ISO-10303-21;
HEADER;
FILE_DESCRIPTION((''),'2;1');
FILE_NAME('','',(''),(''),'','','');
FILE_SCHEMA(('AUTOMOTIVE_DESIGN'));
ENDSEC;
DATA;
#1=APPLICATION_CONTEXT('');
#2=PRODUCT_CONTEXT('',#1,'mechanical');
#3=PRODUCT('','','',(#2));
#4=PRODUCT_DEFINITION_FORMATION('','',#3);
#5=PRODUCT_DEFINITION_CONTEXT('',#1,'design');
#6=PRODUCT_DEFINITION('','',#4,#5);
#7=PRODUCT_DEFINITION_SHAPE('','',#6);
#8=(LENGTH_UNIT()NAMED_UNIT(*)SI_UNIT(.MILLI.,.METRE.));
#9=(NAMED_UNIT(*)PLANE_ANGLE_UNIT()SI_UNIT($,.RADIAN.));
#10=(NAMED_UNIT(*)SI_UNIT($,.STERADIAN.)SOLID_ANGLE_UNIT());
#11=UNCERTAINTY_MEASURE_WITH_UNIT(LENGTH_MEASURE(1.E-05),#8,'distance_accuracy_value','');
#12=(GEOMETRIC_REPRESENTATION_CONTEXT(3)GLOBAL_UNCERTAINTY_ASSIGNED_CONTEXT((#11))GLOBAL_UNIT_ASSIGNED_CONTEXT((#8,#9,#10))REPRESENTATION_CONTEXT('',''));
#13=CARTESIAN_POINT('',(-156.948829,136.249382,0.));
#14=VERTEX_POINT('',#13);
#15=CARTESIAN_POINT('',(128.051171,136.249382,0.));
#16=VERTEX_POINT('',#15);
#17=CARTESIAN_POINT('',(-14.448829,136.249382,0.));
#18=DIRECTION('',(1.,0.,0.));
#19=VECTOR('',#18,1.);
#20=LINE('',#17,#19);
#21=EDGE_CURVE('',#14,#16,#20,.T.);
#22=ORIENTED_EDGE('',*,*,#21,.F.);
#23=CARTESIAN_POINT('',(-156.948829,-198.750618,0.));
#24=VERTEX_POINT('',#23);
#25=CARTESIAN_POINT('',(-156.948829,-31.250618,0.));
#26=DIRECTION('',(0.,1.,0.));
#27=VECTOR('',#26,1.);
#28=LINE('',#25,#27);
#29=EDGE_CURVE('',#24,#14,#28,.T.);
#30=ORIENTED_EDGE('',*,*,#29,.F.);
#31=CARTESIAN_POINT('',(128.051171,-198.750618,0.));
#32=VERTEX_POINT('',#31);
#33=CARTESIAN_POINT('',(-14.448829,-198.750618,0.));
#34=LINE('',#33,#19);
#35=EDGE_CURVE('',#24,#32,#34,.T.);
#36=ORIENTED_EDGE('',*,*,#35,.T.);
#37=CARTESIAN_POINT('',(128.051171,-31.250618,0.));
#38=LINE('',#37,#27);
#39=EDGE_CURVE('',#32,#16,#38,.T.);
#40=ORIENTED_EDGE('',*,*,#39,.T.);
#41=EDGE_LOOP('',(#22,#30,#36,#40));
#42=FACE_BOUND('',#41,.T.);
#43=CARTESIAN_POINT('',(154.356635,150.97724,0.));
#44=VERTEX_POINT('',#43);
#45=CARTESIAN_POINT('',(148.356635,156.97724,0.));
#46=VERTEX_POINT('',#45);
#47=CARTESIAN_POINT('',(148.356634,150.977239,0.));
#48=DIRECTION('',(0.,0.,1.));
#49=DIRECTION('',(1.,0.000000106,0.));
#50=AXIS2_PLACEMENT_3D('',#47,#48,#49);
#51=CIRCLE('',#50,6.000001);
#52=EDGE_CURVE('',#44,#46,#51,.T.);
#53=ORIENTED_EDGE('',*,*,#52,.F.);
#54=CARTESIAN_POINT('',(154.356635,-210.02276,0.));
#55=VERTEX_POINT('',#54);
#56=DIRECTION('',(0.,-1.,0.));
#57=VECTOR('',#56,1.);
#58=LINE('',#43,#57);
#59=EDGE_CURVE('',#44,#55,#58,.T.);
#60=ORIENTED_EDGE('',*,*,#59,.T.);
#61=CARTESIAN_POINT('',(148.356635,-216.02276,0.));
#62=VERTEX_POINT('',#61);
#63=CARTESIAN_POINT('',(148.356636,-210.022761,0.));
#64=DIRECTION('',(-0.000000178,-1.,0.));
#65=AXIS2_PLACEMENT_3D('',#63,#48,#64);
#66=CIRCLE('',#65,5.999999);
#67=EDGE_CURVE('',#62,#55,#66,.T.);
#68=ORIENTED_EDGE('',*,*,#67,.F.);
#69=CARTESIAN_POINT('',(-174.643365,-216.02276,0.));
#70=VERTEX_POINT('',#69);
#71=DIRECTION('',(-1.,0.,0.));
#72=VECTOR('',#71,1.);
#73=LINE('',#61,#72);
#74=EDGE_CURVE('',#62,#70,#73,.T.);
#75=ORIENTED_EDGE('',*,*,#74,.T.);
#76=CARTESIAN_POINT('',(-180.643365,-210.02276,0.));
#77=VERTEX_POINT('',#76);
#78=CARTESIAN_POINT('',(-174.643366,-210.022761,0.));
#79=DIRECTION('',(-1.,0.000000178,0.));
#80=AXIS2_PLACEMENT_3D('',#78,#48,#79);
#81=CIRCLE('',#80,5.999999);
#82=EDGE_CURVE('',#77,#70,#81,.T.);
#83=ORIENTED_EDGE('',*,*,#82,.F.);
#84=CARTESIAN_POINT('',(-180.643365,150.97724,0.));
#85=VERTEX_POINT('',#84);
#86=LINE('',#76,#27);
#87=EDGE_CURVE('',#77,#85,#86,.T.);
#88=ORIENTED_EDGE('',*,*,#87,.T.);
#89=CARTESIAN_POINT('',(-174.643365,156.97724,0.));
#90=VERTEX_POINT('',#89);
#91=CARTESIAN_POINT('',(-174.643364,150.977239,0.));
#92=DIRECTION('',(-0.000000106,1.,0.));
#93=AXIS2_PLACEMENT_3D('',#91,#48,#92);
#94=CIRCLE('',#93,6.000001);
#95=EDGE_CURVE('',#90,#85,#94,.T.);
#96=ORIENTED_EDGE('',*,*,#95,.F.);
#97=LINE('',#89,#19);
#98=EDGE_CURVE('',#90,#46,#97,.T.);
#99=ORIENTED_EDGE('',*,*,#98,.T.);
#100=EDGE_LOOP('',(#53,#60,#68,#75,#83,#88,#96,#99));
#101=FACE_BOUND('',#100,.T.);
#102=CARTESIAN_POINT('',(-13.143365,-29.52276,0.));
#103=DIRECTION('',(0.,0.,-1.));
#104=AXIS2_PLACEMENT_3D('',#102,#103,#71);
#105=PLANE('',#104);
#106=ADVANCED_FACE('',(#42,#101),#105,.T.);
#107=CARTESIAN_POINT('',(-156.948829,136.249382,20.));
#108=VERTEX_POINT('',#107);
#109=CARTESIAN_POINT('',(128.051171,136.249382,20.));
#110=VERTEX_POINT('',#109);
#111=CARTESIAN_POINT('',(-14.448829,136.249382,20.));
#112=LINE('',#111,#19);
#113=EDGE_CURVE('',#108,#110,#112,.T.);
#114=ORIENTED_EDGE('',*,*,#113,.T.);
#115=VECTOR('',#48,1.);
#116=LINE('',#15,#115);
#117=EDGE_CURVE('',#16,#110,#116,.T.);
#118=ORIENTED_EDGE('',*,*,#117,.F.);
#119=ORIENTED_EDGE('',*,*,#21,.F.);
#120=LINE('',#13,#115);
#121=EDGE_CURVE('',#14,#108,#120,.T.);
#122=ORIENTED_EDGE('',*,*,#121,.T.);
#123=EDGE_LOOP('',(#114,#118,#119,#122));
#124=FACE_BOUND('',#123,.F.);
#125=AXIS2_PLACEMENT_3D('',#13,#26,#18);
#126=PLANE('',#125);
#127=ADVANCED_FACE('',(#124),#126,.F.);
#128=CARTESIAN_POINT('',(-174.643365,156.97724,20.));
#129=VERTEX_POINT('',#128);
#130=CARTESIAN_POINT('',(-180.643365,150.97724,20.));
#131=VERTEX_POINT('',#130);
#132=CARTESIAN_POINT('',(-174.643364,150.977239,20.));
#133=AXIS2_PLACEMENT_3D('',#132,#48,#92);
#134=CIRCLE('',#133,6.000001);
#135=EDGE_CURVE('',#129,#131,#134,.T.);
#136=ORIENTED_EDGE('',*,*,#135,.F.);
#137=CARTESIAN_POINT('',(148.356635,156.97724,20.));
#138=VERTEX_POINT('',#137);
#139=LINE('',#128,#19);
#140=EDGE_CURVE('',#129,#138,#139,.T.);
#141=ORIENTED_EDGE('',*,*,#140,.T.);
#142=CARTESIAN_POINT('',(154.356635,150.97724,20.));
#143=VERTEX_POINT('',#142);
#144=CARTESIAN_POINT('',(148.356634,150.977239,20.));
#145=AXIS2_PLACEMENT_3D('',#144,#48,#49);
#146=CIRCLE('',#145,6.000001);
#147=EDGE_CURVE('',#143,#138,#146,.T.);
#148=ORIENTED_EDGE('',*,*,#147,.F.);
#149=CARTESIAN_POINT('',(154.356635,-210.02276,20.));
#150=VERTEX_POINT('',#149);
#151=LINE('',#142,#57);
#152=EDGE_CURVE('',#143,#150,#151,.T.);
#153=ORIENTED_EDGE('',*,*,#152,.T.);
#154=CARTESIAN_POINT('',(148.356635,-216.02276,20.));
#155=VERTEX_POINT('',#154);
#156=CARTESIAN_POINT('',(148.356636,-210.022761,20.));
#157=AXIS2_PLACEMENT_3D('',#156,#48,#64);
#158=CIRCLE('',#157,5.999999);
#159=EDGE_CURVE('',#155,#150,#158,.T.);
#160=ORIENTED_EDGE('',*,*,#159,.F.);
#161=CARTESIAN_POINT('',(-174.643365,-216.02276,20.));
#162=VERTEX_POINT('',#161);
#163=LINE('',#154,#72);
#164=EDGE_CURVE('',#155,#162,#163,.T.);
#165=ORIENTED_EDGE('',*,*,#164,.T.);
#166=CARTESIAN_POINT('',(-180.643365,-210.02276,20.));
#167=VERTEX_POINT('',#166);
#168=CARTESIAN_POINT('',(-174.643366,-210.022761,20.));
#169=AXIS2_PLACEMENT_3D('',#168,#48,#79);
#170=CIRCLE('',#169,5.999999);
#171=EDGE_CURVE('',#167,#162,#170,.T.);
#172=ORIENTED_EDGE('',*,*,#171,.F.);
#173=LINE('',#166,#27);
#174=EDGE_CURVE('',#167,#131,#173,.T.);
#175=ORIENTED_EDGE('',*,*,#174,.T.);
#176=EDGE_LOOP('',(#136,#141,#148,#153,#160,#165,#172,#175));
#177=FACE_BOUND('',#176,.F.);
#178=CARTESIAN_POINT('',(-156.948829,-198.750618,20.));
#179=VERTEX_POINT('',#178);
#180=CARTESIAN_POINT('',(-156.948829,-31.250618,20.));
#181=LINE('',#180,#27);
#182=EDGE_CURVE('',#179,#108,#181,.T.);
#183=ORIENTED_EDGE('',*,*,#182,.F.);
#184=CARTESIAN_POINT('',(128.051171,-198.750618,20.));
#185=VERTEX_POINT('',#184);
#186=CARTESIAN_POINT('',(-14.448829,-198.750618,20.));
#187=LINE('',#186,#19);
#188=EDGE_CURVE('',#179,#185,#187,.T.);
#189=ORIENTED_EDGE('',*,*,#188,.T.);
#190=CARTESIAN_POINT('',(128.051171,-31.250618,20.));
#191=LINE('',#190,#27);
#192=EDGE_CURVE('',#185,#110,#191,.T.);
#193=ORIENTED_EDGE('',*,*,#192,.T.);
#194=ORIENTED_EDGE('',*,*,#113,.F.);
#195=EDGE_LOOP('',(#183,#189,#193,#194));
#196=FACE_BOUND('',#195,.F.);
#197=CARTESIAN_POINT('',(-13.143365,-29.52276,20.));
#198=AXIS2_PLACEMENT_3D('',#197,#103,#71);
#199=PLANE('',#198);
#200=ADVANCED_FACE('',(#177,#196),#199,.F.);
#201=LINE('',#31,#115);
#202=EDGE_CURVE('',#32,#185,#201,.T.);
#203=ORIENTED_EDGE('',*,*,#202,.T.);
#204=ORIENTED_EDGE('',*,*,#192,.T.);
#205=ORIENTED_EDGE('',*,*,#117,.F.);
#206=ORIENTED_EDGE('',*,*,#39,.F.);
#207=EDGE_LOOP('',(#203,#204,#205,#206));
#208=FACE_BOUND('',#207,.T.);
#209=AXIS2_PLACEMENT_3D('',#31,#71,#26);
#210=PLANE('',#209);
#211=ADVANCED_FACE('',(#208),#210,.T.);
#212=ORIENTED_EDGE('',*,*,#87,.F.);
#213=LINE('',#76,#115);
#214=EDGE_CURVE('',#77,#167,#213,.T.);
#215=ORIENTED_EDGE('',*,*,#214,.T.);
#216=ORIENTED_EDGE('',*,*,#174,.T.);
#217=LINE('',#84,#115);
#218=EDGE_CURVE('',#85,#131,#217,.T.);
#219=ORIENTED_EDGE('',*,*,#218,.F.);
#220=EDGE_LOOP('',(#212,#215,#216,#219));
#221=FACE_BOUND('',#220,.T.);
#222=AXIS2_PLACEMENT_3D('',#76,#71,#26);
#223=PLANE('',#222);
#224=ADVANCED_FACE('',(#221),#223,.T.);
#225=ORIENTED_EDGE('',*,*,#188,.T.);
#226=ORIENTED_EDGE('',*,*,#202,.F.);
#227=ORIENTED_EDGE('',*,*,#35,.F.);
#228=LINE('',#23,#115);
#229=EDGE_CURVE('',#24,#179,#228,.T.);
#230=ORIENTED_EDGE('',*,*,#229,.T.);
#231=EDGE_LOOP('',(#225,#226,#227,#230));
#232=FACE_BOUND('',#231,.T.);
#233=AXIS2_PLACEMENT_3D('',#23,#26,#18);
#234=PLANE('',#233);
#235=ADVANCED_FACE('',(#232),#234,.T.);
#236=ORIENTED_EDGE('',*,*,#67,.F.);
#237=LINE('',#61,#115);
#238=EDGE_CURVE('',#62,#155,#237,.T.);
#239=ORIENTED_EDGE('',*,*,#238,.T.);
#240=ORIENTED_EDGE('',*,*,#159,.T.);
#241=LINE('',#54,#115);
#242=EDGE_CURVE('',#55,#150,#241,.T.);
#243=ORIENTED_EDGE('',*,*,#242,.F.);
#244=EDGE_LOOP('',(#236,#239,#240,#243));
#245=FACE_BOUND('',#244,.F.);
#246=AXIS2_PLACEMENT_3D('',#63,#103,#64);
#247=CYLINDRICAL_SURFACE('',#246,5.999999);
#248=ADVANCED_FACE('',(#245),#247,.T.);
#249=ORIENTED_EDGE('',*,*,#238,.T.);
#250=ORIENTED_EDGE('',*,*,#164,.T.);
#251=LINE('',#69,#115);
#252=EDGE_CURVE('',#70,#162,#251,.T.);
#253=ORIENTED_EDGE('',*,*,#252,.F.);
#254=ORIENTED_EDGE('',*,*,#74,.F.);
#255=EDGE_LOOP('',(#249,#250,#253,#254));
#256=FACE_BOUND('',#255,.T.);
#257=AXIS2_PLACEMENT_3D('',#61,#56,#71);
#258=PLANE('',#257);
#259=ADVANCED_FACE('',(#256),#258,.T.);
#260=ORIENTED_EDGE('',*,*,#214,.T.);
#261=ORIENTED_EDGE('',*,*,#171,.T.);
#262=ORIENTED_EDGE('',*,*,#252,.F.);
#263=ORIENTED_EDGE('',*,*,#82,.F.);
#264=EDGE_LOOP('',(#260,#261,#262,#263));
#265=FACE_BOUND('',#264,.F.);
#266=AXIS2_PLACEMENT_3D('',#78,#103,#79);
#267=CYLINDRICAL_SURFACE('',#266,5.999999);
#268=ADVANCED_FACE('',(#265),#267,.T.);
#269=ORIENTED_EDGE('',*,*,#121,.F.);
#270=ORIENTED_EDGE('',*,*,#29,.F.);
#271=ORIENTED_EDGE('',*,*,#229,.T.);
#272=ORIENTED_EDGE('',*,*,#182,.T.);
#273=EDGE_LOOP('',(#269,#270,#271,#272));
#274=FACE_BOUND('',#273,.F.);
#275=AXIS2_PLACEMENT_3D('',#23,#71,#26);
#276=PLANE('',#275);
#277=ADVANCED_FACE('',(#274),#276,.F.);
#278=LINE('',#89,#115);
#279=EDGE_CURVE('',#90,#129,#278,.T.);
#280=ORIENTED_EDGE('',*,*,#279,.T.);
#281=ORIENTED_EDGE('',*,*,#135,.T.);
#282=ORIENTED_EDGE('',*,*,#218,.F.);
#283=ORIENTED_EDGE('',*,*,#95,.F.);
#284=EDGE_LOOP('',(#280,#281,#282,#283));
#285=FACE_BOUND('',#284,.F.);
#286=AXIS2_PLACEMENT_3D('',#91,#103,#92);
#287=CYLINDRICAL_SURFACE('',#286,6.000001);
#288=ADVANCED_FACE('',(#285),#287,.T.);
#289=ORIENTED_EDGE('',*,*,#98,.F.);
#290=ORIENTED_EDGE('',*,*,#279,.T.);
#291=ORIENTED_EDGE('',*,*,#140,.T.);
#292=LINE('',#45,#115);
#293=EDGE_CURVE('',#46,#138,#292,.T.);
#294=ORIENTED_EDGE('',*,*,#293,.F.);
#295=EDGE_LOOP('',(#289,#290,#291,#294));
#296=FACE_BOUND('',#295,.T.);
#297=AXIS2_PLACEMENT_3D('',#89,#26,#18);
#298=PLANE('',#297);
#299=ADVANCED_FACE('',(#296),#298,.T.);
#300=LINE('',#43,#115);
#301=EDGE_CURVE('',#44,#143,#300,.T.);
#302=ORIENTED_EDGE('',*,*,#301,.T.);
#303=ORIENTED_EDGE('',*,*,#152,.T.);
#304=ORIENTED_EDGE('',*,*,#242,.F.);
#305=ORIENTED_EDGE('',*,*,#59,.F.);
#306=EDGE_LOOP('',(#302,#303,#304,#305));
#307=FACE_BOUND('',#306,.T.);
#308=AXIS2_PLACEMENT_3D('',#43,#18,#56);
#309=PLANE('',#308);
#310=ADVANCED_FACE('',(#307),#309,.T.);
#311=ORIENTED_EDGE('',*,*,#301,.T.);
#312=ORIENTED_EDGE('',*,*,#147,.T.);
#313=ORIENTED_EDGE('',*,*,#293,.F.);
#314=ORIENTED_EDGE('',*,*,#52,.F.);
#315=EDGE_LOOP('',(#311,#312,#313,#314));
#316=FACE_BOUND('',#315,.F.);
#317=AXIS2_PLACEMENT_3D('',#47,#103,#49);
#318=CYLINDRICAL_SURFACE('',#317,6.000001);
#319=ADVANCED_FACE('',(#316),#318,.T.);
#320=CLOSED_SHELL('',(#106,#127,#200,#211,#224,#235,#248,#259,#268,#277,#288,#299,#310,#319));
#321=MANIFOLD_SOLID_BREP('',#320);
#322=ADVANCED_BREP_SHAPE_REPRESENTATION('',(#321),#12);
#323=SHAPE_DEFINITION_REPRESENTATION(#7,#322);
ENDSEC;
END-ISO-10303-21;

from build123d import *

# Parameters (mm, degrees)
SKETCH_W  = 285
SKETCH_H  = 335
PAD_DEPTH = 20


with BuildPart() as part:
    # Sketch → Pad (new body)
    with BuildSketch(Plane.XY):
        with BuildLine():
            Line((-174.643365, 156.97724), (148.356635, 156.97724))
            ThreePointArc((154.356635, 150.97724), (152.599276, 155.21988), (148.356635, 156.97724))
            Line((154.356635, 150.97724), (154.356635, -210.02276))
            ThreePointArc((148.356635, -216.02276), (152.599276, -214.265401), (154.356635, -210.02276))
            Line((148.356635, -216.02276), (-174.643365, -216.02276))
            ThreePointArc((-180.643365, -210.02276), (-178.886006, -214.265401), (-174.643365, -216.02276))
            Line((-180.643365, -210.02276), (-180.643365, 150.97724))
            ThreePointArc((-174.643365, 156.97724), (-178.886006, 155.21988), (-180.643365, 150.97724))
        make_face()
        with Locations((-14.448829, -31.250618)):
            Rectangle(SKETCH_W, SKETCH_H, mode=Mode.SUBTRACT)
    extrude(amount=PAD_DEPTH)


solid = part.part
